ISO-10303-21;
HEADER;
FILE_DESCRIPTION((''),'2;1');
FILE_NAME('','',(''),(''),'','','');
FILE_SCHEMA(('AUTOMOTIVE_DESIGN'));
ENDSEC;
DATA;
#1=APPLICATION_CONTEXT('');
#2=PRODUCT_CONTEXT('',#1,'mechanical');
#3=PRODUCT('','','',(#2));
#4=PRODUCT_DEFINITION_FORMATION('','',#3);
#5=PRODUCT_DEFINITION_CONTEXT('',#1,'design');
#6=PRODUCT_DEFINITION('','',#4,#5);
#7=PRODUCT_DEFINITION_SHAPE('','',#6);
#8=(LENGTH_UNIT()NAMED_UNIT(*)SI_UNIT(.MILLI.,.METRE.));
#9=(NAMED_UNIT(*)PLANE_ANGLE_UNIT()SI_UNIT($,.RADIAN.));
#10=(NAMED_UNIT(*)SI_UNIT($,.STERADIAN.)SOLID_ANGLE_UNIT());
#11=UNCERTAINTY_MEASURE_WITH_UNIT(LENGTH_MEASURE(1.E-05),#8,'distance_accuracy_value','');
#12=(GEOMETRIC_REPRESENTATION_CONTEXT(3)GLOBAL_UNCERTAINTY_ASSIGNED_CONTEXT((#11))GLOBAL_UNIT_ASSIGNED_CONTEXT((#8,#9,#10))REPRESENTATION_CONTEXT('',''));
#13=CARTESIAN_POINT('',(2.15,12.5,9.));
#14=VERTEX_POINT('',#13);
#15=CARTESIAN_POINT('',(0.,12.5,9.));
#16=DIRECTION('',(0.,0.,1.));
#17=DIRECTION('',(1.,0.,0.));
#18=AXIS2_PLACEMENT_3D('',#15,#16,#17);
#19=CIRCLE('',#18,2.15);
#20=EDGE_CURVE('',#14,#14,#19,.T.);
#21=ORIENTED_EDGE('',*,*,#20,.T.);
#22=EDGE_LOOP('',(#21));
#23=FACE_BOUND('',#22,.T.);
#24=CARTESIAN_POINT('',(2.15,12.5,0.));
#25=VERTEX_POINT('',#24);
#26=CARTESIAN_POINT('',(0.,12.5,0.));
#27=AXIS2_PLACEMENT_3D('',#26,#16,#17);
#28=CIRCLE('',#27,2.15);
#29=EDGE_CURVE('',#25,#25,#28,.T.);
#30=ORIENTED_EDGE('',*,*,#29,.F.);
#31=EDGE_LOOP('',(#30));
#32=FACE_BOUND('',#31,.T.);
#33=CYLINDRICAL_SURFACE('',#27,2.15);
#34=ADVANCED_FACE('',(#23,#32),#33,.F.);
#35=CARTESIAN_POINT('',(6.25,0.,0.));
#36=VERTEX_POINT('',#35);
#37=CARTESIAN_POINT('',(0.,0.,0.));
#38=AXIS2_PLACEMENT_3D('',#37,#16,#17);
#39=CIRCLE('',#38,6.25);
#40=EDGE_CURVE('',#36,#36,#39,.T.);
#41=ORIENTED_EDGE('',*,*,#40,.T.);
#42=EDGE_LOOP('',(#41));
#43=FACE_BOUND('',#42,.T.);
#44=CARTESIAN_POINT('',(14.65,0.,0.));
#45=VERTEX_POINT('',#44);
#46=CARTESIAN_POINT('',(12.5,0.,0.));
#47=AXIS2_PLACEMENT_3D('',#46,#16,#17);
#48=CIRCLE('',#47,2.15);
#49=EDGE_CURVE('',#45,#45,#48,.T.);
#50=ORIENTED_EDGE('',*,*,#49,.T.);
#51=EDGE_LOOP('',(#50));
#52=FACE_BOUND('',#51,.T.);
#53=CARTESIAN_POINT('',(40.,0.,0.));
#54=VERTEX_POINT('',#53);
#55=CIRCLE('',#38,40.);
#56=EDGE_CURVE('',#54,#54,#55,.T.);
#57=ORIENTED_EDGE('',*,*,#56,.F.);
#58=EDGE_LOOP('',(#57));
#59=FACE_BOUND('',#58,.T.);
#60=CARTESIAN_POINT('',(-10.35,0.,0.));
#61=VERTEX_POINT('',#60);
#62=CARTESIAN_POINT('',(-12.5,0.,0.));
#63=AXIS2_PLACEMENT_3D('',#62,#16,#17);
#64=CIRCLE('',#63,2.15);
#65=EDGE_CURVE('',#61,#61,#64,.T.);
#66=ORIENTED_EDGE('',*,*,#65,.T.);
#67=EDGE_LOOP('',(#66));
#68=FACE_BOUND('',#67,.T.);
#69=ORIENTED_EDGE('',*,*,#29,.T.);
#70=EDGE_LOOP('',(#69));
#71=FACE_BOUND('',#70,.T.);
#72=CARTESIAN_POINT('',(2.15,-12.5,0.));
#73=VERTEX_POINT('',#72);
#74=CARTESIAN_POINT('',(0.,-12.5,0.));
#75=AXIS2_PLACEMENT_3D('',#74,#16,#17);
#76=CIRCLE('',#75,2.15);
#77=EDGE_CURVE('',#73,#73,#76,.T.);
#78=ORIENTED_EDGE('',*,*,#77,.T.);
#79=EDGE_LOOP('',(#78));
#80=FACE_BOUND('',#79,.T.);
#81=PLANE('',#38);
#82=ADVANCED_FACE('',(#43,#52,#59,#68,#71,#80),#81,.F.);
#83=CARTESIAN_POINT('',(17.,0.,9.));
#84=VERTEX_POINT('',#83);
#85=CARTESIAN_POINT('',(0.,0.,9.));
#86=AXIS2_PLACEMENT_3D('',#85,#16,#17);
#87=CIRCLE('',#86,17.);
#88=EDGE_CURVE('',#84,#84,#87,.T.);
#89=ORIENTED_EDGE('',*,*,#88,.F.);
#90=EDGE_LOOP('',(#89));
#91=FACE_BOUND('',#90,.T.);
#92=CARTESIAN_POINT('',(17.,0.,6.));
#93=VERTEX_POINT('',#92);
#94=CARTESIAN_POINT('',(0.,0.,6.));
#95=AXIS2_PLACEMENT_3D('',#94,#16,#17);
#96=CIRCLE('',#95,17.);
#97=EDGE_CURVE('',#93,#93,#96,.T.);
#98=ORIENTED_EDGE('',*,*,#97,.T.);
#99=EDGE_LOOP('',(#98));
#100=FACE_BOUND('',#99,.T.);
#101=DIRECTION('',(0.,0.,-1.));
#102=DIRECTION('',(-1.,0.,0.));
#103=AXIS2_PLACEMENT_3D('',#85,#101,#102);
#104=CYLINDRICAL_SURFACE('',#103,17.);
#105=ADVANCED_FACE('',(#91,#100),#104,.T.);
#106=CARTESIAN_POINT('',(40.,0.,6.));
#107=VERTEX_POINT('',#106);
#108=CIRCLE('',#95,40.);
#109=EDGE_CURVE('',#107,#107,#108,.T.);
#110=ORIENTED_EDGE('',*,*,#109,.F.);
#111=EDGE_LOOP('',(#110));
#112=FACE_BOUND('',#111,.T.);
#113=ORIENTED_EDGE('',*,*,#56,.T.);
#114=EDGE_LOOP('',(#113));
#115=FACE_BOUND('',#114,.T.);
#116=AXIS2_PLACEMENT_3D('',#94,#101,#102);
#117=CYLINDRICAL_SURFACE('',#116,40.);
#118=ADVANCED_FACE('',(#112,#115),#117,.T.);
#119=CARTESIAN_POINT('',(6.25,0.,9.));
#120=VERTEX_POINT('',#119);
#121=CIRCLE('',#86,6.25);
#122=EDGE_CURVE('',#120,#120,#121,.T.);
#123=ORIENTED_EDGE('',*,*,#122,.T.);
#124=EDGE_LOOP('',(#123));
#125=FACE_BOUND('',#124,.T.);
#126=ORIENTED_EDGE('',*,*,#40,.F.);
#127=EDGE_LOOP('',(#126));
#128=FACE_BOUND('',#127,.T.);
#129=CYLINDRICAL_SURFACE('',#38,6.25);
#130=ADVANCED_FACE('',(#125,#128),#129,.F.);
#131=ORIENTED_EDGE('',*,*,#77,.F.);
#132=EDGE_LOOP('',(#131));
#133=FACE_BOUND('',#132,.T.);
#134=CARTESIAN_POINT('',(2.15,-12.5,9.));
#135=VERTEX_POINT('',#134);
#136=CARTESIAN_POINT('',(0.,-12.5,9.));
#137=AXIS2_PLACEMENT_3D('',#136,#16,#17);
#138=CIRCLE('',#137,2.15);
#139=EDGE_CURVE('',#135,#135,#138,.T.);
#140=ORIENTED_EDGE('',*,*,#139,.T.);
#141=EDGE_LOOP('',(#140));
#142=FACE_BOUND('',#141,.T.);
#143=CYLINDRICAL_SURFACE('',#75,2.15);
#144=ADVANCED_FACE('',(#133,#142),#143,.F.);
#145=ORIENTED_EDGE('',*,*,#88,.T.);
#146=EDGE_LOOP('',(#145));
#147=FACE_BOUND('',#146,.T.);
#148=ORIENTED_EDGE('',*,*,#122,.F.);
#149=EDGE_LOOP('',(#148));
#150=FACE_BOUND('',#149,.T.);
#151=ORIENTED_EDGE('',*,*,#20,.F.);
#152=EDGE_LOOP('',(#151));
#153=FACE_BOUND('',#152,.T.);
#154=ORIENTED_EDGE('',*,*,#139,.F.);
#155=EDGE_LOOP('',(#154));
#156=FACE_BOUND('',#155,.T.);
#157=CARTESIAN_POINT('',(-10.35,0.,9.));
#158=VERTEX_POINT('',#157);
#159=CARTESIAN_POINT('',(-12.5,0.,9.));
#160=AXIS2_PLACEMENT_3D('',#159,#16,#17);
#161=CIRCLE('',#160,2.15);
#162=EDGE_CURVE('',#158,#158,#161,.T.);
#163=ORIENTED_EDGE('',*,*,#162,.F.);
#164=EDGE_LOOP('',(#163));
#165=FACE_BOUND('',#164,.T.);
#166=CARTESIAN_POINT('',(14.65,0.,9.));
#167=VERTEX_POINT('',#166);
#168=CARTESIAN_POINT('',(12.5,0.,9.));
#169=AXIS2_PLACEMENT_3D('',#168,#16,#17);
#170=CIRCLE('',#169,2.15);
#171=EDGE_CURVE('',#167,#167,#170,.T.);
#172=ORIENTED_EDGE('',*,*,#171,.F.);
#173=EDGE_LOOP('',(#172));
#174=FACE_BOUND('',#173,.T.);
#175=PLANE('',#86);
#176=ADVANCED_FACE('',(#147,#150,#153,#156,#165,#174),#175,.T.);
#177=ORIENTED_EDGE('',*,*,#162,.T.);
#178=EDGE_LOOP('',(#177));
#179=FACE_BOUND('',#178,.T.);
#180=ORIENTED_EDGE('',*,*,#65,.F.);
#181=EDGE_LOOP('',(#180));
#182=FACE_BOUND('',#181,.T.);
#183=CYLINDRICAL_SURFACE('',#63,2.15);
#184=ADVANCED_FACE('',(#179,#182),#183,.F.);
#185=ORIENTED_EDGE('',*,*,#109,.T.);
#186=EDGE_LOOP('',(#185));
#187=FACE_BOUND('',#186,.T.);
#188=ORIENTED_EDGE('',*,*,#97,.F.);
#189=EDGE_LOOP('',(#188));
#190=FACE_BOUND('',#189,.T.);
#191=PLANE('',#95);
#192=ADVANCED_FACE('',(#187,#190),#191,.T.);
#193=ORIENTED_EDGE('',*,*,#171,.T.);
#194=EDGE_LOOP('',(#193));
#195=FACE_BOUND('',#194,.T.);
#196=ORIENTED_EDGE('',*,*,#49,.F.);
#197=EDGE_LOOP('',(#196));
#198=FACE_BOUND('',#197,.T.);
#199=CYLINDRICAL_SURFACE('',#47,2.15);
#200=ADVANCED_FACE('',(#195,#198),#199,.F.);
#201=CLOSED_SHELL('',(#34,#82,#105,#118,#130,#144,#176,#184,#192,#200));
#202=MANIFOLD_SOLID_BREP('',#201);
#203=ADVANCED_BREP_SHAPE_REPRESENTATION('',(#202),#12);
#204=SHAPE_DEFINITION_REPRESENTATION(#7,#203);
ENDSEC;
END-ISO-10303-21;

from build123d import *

# Parameters (mm, degrees)
SKETCH1_R               = 40
BOSS_EXTRUDE1_DEPTH     = 6
SKETCH2_R               = 17
BOSS_EXTRUDE2_DEPTH     = 3
CUT_EXTRUDE1_DEPTH      = 58.280013966
CUT_EXTRUDE1_DEPTH_BACK = 58.280013966
SKETCH3_R               = 6.25
SKETCH3_R_2             = 2.15


with BuildPart() as part:
    # Sketch1 → Boss-Extrude1 (new body)
    with BuildSketch(Plane.XY):
        Circle(SKETCH1_R)
    extrude(amount=BOSS_EXTRUDE1_DEPTH)

    # Sketch2 → Boss-Extrude2 (add)
    with BuildSketch(Plane.XY.offset(6)):
        Circle(SKETCH2_R)
    extrude(amount=BOSS_EXTRUDE2_DEPTH)

    # Sketch3 → Cut-Extrude1 (cut, two sides: drawn at the far end of the back side and taken through both)
    with BuildSketch(Plane.XY.offset(9).offset(-CUT_EXTRUDE1_DEPTH_BACK)):
        Circle(SKETCH3_R)
        with Locations((0, 12.5)):
            Circle(SKETCH3_R_2)
        with Locations((12.5, 0)):
            Circle(SKETCH3_R_2)
        with Locations((0, -12.5)):
            Circle(SKETCH3_R_2)
        with Locations((-12.5, 0)):
            Circle(SKETCH3_R_2)
    extrude(amount=CUT_EXTRUDE1_DEPTH + CUT_EXTRUDE1_DEPTH_BACK, mode=Mode.SUBTRACT)


solid = part.part
